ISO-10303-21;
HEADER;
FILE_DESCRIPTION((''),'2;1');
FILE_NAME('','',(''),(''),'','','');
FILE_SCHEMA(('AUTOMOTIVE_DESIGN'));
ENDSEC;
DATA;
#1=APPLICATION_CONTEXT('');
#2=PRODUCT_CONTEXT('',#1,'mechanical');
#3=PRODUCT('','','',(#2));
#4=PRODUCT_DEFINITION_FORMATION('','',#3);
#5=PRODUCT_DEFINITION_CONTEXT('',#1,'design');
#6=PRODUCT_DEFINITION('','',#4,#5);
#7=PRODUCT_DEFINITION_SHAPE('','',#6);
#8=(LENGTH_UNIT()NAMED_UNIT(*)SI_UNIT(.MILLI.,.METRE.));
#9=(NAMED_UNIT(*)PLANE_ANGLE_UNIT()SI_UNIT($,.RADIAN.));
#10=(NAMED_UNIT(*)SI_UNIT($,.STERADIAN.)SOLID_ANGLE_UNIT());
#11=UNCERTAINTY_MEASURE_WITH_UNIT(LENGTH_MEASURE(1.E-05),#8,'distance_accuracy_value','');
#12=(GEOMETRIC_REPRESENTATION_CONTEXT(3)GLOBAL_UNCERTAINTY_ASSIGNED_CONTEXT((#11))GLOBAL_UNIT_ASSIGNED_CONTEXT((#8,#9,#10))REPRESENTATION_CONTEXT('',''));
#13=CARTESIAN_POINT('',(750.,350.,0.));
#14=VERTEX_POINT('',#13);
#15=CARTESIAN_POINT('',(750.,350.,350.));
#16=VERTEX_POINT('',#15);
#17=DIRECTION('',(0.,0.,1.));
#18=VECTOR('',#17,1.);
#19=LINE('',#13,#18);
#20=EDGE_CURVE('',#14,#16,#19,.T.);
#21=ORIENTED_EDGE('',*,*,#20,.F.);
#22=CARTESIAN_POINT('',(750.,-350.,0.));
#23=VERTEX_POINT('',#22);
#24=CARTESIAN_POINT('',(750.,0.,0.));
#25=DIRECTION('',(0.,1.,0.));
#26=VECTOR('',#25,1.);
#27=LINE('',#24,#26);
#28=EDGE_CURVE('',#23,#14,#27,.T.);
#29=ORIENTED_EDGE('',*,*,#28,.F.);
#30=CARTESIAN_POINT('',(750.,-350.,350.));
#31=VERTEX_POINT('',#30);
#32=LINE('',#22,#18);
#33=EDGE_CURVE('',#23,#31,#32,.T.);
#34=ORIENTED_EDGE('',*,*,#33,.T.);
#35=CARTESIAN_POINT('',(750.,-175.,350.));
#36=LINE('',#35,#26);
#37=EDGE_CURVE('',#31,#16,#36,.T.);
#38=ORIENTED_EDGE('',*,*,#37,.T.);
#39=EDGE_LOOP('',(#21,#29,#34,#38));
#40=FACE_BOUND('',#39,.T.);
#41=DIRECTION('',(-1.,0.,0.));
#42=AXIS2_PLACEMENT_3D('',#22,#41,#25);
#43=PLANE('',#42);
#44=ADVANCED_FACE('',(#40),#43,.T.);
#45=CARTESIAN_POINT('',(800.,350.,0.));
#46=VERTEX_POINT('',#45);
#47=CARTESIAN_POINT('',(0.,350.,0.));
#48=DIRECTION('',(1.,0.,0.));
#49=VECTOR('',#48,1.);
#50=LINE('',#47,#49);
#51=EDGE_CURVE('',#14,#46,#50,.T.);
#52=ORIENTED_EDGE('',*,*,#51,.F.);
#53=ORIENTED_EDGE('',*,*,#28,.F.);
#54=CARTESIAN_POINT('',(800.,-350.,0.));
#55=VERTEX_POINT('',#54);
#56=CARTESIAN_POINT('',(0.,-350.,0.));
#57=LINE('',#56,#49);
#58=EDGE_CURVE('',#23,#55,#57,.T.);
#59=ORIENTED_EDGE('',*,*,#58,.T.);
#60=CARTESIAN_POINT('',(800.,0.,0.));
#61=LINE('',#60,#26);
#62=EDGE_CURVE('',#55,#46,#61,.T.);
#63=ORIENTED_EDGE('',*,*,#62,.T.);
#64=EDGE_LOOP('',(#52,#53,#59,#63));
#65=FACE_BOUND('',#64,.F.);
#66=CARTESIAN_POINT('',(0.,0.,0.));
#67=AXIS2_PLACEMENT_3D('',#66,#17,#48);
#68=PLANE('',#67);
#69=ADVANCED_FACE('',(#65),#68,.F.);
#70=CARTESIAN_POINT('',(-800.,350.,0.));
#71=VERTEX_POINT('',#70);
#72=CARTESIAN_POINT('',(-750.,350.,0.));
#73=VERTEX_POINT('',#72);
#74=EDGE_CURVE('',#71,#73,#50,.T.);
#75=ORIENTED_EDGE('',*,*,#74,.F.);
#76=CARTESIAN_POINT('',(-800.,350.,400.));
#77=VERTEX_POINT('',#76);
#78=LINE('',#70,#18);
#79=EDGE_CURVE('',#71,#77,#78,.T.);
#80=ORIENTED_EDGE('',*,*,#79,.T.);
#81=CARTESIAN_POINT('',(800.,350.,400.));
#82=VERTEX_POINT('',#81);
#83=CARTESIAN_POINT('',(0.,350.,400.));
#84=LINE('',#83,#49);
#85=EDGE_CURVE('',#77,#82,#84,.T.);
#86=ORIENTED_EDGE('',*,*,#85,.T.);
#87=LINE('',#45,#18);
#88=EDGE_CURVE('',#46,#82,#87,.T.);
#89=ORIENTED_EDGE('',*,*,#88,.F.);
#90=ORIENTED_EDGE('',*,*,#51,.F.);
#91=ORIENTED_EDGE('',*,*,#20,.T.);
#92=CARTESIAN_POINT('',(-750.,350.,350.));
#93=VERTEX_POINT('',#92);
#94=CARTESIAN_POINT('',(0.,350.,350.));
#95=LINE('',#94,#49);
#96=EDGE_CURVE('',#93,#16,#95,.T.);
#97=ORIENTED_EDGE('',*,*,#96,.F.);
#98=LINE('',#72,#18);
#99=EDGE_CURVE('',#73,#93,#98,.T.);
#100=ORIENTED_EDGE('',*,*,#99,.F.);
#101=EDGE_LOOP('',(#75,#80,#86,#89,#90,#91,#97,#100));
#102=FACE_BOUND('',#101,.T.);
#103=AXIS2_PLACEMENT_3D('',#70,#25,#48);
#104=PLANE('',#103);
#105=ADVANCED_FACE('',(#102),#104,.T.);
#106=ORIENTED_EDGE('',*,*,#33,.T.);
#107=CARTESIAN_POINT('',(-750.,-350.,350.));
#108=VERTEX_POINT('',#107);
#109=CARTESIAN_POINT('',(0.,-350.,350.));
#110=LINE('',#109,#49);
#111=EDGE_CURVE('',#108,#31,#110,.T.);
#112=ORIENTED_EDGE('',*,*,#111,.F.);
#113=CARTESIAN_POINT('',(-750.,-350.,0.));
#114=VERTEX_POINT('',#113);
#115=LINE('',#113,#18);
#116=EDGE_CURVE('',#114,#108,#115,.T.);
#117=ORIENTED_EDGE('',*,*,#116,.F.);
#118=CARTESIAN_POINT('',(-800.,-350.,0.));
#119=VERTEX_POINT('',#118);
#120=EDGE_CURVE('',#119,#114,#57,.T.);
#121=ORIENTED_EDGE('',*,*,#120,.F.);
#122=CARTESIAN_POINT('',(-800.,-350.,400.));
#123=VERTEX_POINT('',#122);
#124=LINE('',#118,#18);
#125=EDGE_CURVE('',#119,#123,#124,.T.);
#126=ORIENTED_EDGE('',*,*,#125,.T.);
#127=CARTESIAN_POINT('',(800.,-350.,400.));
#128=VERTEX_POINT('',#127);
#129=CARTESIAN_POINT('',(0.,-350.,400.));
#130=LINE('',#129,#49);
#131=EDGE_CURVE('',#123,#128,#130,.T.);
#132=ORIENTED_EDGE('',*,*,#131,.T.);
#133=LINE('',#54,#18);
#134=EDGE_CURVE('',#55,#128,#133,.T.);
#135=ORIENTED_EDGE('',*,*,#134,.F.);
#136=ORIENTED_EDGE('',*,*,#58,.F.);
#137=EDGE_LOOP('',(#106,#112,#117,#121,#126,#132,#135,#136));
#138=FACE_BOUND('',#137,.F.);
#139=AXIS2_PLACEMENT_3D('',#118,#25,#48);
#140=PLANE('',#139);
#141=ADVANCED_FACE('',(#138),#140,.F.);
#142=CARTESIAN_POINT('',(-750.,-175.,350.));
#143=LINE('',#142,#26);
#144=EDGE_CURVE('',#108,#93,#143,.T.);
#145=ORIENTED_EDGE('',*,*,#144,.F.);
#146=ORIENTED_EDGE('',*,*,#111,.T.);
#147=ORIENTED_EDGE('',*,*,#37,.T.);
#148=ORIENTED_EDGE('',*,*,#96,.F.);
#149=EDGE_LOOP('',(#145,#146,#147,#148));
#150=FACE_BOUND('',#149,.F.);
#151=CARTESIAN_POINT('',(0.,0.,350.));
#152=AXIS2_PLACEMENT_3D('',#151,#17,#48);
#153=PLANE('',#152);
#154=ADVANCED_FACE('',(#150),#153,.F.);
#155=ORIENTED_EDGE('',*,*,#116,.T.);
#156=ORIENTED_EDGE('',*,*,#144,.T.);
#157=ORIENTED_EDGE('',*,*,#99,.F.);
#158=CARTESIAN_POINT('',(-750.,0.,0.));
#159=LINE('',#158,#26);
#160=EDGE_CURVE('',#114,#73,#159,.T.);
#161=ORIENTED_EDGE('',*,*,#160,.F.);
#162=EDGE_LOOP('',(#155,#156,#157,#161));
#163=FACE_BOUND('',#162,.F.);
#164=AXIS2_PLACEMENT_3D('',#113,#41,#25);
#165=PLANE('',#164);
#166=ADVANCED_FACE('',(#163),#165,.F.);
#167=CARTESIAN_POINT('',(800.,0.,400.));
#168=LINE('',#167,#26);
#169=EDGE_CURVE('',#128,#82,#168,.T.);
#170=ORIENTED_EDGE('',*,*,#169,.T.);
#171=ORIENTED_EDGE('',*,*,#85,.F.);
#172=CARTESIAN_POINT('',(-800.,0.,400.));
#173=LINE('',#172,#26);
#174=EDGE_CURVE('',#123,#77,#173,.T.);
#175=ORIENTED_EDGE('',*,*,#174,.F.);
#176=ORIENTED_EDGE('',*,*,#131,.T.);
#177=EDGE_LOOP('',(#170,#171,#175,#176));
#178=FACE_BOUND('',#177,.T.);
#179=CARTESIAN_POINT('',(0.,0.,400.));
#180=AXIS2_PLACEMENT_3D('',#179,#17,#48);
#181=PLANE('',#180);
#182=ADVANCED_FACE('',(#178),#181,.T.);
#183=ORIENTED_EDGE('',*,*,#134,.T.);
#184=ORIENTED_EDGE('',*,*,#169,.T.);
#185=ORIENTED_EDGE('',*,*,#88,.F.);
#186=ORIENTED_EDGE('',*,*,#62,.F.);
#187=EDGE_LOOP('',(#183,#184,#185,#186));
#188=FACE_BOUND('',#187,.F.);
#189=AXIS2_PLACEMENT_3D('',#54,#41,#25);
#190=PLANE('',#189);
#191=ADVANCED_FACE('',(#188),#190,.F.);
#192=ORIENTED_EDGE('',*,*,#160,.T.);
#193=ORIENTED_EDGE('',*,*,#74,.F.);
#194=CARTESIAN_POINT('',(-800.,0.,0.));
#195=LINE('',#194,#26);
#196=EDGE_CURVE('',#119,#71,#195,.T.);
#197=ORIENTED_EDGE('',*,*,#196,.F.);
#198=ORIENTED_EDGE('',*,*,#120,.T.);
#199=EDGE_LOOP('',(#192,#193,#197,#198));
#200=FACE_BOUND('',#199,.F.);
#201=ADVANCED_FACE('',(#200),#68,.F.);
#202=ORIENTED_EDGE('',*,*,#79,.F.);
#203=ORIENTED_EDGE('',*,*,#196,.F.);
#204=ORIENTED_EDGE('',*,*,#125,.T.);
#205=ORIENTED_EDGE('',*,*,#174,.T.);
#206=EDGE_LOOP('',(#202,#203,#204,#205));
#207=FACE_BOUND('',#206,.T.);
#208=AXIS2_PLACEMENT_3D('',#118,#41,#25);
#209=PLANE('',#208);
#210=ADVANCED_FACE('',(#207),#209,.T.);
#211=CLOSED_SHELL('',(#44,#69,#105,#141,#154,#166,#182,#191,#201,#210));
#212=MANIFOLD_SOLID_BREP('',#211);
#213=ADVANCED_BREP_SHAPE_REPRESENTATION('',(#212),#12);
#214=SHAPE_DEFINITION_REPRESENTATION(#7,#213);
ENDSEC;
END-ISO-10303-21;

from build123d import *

# Parameters (mm, degrees)
F0_W     = 1600
F0_H     = 700
F1_DEPTH = 400
F2_T     = -50


with BuildPart() as f1:
    # F0 (on Top) → F1 (new body)
    with BuildSketch(Plane.XY):
        Rectangle(F0_W, F0_H)
    extrude(amount=F1_DEPTH)

    # F2
    f2_openings = [f1.faces().sort_by_distance(p)[0] for p in [
        (0, 0, 0),
        (0, -350, 200),
        (0, 350, 200),
    ]]
    offset(amount=F2_T, openings=f2_openings)


solid = f1.part
